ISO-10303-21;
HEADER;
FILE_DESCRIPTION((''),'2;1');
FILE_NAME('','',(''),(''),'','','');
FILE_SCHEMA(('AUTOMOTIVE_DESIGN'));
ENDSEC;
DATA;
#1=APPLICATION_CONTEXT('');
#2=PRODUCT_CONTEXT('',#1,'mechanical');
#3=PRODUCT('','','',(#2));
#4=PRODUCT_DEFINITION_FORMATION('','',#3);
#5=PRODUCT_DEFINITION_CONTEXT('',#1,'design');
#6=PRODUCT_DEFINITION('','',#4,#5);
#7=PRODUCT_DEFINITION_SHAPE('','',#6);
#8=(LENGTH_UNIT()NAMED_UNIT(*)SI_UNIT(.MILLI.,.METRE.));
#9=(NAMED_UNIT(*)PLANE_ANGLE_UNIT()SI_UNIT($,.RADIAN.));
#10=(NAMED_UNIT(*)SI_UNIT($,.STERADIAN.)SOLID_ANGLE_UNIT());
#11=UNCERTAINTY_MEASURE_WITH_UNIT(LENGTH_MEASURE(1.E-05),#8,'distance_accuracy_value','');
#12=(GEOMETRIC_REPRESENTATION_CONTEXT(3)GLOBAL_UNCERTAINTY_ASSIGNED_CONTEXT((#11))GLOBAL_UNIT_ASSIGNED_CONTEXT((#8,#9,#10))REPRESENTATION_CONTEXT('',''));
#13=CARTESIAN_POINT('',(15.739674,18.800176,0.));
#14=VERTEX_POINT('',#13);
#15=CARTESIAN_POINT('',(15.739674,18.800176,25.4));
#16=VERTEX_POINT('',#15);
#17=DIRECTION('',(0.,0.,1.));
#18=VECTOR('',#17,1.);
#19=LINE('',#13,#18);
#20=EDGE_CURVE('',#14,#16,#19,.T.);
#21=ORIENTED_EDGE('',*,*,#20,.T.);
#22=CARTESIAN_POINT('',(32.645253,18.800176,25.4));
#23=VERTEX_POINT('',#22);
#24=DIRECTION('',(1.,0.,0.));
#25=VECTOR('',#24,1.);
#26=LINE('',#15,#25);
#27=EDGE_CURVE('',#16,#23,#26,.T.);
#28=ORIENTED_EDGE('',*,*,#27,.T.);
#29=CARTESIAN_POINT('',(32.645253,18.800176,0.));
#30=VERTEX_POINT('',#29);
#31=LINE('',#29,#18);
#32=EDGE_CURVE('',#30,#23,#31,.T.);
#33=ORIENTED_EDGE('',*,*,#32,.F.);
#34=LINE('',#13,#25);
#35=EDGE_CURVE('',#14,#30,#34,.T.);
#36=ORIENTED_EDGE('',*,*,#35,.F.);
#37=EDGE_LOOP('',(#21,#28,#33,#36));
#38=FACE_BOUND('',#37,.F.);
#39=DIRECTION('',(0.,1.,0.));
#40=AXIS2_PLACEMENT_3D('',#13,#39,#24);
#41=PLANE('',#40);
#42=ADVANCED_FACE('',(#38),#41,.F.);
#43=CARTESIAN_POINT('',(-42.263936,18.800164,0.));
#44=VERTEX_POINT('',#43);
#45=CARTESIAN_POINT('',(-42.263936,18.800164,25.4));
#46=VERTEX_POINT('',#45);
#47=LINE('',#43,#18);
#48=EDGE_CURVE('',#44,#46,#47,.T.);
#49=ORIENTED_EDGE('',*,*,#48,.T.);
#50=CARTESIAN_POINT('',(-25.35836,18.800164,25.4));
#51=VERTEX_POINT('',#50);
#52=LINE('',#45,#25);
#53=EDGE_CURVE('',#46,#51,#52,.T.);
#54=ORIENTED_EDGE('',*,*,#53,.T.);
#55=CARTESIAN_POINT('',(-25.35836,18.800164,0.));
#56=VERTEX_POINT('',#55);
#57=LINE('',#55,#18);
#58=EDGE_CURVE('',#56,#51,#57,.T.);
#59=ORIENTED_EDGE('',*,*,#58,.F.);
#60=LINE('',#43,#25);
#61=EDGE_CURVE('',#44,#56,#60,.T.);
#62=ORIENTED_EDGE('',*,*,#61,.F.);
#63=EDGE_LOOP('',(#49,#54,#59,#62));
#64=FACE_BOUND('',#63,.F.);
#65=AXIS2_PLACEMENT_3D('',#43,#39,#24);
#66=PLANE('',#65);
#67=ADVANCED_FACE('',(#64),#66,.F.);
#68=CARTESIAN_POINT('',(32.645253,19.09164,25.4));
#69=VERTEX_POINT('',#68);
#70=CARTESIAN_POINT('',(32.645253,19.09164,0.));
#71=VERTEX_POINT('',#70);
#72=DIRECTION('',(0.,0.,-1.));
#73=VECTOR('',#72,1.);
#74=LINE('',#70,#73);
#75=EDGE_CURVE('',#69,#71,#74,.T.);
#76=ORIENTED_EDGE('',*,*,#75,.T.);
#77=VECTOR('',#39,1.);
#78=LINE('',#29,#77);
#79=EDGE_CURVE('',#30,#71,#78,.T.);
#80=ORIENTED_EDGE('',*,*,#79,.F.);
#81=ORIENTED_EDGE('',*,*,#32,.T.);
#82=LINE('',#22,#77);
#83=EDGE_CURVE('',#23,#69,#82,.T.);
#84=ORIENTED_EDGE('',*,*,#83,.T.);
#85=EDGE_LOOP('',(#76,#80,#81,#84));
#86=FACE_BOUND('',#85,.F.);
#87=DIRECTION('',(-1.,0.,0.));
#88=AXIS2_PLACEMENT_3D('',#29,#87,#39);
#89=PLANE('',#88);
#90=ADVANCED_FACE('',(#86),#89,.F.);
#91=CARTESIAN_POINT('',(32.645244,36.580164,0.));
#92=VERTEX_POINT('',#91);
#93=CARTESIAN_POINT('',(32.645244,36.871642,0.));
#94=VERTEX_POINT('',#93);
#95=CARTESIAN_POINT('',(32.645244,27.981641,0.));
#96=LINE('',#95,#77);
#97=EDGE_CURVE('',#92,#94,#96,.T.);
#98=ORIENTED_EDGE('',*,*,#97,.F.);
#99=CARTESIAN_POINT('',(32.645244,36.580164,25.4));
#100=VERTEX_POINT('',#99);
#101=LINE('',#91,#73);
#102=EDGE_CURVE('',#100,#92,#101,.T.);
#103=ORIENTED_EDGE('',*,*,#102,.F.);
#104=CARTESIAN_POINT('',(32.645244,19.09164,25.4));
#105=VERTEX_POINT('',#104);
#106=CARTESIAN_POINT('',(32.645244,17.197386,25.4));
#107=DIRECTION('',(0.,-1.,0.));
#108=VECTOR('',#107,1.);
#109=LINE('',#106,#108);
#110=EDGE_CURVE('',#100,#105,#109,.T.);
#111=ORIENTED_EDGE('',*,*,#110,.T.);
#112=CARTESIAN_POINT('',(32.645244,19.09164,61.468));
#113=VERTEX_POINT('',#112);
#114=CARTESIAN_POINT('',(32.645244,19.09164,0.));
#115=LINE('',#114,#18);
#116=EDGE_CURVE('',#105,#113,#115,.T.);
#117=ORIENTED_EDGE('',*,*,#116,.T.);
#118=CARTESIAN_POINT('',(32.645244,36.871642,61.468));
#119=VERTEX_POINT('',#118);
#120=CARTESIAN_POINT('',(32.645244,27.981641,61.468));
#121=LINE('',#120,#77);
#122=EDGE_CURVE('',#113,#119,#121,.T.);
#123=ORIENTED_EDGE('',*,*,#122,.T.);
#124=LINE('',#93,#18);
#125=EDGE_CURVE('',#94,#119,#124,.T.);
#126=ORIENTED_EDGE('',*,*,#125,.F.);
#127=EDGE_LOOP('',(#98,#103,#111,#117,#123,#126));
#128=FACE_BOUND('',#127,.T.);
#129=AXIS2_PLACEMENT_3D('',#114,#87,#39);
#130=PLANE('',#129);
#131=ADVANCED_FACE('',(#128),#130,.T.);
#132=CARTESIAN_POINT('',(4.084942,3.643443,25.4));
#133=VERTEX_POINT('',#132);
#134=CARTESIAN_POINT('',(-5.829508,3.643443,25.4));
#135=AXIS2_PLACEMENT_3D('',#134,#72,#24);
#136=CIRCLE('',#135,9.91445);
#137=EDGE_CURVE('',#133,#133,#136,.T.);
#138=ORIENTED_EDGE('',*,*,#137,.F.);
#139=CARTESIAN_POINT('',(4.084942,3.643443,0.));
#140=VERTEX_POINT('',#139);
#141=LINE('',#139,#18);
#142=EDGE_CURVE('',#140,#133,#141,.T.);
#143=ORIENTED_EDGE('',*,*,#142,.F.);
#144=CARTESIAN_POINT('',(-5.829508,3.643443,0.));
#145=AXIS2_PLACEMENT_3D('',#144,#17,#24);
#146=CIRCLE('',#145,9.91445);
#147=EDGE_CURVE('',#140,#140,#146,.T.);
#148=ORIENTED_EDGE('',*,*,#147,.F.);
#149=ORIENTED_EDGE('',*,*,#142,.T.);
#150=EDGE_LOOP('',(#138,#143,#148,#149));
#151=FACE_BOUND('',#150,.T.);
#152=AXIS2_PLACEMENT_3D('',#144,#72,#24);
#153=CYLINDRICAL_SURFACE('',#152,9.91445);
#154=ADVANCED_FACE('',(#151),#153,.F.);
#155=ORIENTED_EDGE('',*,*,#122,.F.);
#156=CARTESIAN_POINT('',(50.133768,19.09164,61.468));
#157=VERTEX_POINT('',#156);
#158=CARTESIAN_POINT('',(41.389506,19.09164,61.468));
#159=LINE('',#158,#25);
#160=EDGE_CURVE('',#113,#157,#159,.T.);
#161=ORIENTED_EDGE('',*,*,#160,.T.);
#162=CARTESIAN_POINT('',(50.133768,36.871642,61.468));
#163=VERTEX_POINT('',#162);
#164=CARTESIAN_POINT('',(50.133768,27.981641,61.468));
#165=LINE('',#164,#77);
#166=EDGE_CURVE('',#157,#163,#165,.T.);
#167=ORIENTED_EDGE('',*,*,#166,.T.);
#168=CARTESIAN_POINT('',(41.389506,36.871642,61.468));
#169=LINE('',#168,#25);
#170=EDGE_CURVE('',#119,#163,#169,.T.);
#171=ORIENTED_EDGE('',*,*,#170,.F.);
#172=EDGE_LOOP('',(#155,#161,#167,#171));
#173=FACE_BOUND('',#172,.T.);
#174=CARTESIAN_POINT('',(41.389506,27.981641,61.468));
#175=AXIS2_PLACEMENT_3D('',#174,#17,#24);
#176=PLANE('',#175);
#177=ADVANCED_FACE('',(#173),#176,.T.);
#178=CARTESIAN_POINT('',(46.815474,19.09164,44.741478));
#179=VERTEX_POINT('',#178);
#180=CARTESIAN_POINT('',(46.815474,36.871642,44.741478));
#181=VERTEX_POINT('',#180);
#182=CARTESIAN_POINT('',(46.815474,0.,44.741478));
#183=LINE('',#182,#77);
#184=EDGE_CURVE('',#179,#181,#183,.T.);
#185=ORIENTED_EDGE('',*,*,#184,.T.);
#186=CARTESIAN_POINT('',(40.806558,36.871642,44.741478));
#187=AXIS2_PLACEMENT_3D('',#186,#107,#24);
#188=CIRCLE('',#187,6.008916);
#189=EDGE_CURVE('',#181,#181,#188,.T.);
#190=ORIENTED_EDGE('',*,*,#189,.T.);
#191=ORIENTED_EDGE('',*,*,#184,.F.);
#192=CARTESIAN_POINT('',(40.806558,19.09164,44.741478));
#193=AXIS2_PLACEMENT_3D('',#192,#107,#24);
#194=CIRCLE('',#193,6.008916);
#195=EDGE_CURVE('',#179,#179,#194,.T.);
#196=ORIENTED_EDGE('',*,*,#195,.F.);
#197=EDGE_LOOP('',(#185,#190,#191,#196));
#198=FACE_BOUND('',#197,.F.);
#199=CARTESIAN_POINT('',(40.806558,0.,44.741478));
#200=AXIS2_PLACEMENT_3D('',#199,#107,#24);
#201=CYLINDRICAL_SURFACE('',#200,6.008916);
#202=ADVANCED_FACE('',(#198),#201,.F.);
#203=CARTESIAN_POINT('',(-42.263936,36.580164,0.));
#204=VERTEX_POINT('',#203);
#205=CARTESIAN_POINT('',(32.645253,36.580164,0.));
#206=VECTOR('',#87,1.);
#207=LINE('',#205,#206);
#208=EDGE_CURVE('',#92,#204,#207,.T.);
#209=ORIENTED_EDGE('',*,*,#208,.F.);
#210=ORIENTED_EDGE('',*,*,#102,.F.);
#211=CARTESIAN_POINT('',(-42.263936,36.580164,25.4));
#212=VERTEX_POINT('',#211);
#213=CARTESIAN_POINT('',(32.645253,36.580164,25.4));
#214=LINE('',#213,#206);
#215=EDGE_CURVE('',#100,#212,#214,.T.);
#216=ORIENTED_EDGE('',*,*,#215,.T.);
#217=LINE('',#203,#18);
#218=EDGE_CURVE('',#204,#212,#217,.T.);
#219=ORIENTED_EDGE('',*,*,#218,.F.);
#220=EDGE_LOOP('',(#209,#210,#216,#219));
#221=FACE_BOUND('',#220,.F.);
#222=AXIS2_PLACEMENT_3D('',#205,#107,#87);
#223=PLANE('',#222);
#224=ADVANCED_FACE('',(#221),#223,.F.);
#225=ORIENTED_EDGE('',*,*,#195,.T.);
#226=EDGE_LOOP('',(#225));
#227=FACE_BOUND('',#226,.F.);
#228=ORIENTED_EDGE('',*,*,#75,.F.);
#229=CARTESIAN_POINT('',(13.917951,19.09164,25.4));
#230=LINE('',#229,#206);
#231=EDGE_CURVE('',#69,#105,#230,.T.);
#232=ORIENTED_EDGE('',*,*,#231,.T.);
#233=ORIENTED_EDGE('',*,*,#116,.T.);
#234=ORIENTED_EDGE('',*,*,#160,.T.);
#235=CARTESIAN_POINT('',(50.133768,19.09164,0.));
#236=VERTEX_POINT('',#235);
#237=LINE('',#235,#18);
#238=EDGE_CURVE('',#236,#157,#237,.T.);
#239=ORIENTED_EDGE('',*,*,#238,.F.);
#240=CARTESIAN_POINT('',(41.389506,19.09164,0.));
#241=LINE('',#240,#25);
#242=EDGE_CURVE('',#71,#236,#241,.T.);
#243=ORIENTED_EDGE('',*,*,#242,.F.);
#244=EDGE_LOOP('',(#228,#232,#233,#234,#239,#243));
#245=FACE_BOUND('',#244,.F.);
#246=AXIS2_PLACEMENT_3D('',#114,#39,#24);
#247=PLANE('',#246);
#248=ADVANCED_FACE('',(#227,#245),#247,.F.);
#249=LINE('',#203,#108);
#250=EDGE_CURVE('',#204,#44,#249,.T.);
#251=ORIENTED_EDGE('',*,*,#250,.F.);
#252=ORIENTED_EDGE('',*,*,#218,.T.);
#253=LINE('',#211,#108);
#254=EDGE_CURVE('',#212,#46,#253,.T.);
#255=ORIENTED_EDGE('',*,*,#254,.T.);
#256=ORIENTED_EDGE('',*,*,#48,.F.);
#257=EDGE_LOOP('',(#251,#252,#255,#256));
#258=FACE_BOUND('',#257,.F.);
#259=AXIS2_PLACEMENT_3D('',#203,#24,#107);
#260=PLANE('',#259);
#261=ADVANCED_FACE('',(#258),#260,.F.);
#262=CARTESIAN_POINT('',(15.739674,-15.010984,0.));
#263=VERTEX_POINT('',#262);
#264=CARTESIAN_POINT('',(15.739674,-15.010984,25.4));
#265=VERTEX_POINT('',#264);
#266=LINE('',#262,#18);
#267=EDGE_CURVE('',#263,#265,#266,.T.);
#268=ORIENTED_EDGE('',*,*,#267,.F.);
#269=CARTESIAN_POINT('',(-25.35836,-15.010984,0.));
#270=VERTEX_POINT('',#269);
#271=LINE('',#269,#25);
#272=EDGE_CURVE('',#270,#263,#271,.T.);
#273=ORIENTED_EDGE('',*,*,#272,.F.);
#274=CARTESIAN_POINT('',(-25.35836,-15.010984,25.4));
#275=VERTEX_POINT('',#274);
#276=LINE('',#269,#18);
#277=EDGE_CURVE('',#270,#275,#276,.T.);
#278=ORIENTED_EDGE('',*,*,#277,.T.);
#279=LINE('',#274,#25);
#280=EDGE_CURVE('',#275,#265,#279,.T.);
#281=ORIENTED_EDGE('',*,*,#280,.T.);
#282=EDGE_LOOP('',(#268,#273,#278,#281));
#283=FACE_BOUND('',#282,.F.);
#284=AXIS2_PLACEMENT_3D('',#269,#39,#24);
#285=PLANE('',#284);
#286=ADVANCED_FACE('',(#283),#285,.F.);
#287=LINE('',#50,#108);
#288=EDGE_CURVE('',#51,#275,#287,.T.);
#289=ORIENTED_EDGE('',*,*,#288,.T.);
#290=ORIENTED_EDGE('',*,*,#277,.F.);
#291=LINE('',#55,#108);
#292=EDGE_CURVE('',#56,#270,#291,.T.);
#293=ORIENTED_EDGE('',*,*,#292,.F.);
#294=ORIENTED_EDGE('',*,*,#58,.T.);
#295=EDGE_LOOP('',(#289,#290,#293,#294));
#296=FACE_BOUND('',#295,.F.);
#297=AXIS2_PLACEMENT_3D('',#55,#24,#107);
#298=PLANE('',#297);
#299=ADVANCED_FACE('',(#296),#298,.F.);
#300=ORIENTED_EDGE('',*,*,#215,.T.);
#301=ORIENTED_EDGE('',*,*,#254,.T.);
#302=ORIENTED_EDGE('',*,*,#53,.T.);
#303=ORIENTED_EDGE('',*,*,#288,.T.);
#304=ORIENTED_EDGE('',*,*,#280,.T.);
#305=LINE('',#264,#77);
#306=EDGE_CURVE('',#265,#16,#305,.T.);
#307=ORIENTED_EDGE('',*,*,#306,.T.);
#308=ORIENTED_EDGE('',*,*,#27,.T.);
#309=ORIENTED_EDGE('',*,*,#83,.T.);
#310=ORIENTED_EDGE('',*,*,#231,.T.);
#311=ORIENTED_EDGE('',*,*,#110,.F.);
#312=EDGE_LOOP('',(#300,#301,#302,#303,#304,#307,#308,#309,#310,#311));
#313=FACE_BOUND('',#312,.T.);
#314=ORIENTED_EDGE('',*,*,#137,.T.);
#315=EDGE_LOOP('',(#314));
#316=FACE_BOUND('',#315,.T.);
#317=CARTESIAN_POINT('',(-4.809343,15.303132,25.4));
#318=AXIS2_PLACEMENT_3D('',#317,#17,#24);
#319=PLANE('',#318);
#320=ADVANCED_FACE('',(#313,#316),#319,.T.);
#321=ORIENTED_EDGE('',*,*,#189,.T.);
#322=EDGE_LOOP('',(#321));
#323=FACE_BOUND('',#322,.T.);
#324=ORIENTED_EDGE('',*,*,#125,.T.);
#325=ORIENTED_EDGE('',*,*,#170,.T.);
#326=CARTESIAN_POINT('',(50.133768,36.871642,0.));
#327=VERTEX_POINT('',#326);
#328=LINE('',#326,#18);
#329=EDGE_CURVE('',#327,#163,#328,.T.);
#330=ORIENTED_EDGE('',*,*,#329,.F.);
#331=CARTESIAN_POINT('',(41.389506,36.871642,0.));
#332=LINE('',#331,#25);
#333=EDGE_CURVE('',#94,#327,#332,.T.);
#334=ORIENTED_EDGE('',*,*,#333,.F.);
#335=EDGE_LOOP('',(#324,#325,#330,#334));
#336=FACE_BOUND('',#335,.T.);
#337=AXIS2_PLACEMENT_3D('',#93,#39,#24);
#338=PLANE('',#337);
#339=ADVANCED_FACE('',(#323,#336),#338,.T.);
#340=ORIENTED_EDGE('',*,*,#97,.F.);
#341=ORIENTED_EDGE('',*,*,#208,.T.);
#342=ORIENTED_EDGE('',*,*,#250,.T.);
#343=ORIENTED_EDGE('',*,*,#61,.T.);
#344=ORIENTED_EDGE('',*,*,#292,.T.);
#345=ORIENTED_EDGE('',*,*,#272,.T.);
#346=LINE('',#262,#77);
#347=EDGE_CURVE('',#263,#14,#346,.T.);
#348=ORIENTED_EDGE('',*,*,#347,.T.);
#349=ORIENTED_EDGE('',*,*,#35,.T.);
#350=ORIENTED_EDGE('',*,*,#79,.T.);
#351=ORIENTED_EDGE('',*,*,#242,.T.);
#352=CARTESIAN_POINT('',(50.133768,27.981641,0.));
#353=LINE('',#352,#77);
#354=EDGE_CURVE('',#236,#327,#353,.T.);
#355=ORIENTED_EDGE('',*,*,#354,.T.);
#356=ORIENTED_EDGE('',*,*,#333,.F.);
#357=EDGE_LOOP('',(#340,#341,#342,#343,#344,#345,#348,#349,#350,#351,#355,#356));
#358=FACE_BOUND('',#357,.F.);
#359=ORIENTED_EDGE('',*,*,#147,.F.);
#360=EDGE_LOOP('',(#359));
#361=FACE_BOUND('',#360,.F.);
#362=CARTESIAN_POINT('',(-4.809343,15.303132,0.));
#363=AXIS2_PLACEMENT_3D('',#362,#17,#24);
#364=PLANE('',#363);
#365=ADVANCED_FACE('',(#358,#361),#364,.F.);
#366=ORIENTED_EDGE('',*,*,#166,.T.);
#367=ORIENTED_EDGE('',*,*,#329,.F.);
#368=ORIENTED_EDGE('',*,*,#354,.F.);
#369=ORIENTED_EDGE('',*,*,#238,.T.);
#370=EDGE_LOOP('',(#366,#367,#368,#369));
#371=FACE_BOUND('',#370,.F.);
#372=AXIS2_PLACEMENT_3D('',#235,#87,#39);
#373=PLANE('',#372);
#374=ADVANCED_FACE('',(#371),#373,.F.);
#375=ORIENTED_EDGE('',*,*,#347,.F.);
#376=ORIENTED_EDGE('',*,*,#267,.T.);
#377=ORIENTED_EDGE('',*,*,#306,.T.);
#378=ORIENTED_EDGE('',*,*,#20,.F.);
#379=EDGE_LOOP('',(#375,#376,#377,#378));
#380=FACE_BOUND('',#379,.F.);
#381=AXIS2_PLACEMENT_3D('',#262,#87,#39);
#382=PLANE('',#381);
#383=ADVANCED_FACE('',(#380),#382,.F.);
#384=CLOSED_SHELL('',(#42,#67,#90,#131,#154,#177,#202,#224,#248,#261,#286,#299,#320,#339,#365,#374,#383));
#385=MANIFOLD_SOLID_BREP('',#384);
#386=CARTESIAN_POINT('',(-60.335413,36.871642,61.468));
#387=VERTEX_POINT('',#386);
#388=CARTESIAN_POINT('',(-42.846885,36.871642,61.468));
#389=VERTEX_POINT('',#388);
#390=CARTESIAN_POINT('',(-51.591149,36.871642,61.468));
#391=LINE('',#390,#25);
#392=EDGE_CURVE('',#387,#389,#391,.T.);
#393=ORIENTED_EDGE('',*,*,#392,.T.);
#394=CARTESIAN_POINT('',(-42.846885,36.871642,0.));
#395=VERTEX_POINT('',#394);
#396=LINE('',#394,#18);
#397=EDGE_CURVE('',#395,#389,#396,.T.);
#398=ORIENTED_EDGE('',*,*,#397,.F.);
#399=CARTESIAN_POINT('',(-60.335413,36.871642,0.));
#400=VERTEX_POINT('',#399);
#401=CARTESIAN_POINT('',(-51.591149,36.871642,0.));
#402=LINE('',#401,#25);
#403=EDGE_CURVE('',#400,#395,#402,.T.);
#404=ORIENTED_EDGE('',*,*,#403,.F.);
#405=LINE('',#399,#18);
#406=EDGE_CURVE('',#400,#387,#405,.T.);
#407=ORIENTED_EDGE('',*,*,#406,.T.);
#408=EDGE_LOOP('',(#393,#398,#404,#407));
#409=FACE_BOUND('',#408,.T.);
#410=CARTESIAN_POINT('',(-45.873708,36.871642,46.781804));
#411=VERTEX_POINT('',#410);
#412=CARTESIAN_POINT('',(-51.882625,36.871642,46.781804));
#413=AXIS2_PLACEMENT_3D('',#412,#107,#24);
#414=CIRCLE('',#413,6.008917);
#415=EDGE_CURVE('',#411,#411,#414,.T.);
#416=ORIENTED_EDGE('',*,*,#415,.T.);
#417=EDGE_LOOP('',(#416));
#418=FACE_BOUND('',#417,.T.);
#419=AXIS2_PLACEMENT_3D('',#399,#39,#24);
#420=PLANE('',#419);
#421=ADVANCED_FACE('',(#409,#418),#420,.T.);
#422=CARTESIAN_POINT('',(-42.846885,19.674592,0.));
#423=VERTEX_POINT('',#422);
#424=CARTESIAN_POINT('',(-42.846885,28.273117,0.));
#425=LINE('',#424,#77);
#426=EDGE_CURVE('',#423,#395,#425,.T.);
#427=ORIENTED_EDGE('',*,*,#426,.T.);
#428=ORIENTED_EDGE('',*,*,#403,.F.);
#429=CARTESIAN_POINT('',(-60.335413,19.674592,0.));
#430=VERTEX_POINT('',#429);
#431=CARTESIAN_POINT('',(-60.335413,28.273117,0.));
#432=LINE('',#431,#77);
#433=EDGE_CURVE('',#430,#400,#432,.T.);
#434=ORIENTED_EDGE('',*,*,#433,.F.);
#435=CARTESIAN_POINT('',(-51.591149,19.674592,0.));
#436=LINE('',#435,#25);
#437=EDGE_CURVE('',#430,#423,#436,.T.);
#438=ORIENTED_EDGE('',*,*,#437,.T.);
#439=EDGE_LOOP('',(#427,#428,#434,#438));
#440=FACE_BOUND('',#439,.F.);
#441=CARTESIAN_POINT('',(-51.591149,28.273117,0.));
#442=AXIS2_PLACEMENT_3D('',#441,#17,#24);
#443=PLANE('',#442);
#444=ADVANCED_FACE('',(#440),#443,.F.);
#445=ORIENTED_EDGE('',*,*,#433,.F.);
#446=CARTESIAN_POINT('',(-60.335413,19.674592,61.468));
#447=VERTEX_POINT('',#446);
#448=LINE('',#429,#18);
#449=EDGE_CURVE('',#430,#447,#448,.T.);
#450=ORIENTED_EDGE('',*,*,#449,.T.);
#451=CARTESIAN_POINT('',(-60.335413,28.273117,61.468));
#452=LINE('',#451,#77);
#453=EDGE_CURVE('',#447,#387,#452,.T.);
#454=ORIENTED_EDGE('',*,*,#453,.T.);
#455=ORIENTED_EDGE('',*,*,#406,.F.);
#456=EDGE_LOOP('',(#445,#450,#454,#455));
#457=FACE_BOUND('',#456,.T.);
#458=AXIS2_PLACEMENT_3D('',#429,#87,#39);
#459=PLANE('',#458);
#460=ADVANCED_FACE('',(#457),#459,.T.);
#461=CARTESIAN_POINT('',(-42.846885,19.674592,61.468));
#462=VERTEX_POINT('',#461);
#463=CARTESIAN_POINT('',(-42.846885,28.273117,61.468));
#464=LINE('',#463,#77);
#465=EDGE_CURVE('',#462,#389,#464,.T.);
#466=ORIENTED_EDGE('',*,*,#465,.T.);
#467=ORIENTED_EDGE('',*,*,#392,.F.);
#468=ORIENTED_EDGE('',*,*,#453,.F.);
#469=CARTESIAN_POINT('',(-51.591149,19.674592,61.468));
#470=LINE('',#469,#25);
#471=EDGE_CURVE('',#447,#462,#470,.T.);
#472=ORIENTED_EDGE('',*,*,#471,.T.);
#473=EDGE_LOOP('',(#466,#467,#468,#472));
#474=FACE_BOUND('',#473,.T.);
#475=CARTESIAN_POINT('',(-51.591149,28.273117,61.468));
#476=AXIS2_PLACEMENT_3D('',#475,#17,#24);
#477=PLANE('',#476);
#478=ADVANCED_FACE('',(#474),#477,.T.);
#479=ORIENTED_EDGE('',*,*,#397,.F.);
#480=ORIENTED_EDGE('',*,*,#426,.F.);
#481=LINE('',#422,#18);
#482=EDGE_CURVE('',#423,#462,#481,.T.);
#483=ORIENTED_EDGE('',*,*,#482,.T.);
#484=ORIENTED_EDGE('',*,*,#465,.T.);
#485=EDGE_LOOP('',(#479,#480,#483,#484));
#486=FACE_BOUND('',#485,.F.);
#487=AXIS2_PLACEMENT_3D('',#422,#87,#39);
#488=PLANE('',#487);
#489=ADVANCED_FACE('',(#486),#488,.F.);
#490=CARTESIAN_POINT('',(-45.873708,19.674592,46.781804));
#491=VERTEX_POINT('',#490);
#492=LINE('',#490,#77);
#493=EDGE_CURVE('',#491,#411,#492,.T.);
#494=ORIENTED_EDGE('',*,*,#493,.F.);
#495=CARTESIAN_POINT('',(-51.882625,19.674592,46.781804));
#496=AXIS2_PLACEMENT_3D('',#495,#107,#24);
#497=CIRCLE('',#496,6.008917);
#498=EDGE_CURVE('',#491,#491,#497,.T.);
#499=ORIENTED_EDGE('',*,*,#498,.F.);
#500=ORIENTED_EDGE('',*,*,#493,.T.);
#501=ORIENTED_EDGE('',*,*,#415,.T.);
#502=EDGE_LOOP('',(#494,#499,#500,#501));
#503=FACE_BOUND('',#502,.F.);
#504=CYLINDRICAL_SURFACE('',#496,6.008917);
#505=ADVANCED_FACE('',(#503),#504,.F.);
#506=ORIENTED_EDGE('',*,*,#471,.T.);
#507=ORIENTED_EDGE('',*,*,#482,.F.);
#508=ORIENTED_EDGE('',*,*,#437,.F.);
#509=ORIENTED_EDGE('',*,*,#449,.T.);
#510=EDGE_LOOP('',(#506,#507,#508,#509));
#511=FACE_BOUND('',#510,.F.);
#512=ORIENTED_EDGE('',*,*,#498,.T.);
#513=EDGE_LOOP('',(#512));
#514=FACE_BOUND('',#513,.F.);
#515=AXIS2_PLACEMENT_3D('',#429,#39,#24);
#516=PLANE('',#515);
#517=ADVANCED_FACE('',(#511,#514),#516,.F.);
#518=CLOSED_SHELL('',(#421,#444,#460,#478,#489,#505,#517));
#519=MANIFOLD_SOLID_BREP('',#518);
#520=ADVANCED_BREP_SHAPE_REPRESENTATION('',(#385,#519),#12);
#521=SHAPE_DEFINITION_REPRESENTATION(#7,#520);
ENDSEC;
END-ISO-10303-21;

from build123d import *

# Parameters (mm, degrees)
F1_DEPTH  = 25.4
F2_W      = 17.488524
F2_H      = 17.780002
F2_W_2    = 17.488528
F2_H_2    = 17.19705
F3_DEPTH  = 61.468
F4_R      = 9.91445
F5_DEPTH  = 47.752
F6_R      = 4.653426
F7_DEPTH  = 54.864
F8_R      = 6.008917
F9_DEPTH  = 49.784
F10_R     = 6.008916
F11_DEPTH = 51.054


with BuildPart() as f1:
    # F0 (on Top) → F1 (new body)
    with BuildSketch(Plane.XY):
        Polygon((-42.263936, 18.800164), (-25.35836, 18.800164), (-25.35836, -15.010984), (15.739674, -15.010984), (15.739674, 18.800176), (32.645253, 18.800176), (32.645253, 36.580164), (-42.263936, 36.580164), align=None)
    extrude(amount=F1_DEPTH)

    # F2 (on Top) → F3 (join)
    with BuildSketch(Plane.XY):
        with Locations((41.389506, 27.981641)):
            Rectangle(F2_W, F2_H)
        with Locations((-51.591149, 28.273117)):
            Rectangle(F2_W_2, F2_H_2)
    extrude(amount=F3_DEPTH)

    # F4 (on Top) → F5 (cut)
    with BuildSketch(Plane.XY):
        with Locations((-5.829508, 3.643443)):
            Circle(F4_R)
    extrude(amount=F5_DEPTH, mode=Mode.SUBTRACT)

    # F6 (on Front) → F7 (cut)
    with BuildSketch(Plane.XZ):
        with Locations((26.7267, 51.102538)):
            Circle(F6_R)
    extrude(amount=-F7_DEPTH, mode=Mode.SUBTRACT)

    # F8 (on face) → F9 (cut)
    with BuildSketch(Plane.XZ.offset(-19.674592)):
        with Locations((-51.882625, 46.781804)):
            Circle(F8_R)
    extrude(amount=-F9_DEPTH, mode=Mode.SUBTRACT)

    # F10 (on Front) → F11 (cut)
    with BuildSketch(Plane.XZ):
        with Locations((40.806558, 44.741478)):
            Circle(F10_R)
    extrude(amount=-F11_DEPTH, mode=Mode.SUBTRACT)


solid = f1.part
